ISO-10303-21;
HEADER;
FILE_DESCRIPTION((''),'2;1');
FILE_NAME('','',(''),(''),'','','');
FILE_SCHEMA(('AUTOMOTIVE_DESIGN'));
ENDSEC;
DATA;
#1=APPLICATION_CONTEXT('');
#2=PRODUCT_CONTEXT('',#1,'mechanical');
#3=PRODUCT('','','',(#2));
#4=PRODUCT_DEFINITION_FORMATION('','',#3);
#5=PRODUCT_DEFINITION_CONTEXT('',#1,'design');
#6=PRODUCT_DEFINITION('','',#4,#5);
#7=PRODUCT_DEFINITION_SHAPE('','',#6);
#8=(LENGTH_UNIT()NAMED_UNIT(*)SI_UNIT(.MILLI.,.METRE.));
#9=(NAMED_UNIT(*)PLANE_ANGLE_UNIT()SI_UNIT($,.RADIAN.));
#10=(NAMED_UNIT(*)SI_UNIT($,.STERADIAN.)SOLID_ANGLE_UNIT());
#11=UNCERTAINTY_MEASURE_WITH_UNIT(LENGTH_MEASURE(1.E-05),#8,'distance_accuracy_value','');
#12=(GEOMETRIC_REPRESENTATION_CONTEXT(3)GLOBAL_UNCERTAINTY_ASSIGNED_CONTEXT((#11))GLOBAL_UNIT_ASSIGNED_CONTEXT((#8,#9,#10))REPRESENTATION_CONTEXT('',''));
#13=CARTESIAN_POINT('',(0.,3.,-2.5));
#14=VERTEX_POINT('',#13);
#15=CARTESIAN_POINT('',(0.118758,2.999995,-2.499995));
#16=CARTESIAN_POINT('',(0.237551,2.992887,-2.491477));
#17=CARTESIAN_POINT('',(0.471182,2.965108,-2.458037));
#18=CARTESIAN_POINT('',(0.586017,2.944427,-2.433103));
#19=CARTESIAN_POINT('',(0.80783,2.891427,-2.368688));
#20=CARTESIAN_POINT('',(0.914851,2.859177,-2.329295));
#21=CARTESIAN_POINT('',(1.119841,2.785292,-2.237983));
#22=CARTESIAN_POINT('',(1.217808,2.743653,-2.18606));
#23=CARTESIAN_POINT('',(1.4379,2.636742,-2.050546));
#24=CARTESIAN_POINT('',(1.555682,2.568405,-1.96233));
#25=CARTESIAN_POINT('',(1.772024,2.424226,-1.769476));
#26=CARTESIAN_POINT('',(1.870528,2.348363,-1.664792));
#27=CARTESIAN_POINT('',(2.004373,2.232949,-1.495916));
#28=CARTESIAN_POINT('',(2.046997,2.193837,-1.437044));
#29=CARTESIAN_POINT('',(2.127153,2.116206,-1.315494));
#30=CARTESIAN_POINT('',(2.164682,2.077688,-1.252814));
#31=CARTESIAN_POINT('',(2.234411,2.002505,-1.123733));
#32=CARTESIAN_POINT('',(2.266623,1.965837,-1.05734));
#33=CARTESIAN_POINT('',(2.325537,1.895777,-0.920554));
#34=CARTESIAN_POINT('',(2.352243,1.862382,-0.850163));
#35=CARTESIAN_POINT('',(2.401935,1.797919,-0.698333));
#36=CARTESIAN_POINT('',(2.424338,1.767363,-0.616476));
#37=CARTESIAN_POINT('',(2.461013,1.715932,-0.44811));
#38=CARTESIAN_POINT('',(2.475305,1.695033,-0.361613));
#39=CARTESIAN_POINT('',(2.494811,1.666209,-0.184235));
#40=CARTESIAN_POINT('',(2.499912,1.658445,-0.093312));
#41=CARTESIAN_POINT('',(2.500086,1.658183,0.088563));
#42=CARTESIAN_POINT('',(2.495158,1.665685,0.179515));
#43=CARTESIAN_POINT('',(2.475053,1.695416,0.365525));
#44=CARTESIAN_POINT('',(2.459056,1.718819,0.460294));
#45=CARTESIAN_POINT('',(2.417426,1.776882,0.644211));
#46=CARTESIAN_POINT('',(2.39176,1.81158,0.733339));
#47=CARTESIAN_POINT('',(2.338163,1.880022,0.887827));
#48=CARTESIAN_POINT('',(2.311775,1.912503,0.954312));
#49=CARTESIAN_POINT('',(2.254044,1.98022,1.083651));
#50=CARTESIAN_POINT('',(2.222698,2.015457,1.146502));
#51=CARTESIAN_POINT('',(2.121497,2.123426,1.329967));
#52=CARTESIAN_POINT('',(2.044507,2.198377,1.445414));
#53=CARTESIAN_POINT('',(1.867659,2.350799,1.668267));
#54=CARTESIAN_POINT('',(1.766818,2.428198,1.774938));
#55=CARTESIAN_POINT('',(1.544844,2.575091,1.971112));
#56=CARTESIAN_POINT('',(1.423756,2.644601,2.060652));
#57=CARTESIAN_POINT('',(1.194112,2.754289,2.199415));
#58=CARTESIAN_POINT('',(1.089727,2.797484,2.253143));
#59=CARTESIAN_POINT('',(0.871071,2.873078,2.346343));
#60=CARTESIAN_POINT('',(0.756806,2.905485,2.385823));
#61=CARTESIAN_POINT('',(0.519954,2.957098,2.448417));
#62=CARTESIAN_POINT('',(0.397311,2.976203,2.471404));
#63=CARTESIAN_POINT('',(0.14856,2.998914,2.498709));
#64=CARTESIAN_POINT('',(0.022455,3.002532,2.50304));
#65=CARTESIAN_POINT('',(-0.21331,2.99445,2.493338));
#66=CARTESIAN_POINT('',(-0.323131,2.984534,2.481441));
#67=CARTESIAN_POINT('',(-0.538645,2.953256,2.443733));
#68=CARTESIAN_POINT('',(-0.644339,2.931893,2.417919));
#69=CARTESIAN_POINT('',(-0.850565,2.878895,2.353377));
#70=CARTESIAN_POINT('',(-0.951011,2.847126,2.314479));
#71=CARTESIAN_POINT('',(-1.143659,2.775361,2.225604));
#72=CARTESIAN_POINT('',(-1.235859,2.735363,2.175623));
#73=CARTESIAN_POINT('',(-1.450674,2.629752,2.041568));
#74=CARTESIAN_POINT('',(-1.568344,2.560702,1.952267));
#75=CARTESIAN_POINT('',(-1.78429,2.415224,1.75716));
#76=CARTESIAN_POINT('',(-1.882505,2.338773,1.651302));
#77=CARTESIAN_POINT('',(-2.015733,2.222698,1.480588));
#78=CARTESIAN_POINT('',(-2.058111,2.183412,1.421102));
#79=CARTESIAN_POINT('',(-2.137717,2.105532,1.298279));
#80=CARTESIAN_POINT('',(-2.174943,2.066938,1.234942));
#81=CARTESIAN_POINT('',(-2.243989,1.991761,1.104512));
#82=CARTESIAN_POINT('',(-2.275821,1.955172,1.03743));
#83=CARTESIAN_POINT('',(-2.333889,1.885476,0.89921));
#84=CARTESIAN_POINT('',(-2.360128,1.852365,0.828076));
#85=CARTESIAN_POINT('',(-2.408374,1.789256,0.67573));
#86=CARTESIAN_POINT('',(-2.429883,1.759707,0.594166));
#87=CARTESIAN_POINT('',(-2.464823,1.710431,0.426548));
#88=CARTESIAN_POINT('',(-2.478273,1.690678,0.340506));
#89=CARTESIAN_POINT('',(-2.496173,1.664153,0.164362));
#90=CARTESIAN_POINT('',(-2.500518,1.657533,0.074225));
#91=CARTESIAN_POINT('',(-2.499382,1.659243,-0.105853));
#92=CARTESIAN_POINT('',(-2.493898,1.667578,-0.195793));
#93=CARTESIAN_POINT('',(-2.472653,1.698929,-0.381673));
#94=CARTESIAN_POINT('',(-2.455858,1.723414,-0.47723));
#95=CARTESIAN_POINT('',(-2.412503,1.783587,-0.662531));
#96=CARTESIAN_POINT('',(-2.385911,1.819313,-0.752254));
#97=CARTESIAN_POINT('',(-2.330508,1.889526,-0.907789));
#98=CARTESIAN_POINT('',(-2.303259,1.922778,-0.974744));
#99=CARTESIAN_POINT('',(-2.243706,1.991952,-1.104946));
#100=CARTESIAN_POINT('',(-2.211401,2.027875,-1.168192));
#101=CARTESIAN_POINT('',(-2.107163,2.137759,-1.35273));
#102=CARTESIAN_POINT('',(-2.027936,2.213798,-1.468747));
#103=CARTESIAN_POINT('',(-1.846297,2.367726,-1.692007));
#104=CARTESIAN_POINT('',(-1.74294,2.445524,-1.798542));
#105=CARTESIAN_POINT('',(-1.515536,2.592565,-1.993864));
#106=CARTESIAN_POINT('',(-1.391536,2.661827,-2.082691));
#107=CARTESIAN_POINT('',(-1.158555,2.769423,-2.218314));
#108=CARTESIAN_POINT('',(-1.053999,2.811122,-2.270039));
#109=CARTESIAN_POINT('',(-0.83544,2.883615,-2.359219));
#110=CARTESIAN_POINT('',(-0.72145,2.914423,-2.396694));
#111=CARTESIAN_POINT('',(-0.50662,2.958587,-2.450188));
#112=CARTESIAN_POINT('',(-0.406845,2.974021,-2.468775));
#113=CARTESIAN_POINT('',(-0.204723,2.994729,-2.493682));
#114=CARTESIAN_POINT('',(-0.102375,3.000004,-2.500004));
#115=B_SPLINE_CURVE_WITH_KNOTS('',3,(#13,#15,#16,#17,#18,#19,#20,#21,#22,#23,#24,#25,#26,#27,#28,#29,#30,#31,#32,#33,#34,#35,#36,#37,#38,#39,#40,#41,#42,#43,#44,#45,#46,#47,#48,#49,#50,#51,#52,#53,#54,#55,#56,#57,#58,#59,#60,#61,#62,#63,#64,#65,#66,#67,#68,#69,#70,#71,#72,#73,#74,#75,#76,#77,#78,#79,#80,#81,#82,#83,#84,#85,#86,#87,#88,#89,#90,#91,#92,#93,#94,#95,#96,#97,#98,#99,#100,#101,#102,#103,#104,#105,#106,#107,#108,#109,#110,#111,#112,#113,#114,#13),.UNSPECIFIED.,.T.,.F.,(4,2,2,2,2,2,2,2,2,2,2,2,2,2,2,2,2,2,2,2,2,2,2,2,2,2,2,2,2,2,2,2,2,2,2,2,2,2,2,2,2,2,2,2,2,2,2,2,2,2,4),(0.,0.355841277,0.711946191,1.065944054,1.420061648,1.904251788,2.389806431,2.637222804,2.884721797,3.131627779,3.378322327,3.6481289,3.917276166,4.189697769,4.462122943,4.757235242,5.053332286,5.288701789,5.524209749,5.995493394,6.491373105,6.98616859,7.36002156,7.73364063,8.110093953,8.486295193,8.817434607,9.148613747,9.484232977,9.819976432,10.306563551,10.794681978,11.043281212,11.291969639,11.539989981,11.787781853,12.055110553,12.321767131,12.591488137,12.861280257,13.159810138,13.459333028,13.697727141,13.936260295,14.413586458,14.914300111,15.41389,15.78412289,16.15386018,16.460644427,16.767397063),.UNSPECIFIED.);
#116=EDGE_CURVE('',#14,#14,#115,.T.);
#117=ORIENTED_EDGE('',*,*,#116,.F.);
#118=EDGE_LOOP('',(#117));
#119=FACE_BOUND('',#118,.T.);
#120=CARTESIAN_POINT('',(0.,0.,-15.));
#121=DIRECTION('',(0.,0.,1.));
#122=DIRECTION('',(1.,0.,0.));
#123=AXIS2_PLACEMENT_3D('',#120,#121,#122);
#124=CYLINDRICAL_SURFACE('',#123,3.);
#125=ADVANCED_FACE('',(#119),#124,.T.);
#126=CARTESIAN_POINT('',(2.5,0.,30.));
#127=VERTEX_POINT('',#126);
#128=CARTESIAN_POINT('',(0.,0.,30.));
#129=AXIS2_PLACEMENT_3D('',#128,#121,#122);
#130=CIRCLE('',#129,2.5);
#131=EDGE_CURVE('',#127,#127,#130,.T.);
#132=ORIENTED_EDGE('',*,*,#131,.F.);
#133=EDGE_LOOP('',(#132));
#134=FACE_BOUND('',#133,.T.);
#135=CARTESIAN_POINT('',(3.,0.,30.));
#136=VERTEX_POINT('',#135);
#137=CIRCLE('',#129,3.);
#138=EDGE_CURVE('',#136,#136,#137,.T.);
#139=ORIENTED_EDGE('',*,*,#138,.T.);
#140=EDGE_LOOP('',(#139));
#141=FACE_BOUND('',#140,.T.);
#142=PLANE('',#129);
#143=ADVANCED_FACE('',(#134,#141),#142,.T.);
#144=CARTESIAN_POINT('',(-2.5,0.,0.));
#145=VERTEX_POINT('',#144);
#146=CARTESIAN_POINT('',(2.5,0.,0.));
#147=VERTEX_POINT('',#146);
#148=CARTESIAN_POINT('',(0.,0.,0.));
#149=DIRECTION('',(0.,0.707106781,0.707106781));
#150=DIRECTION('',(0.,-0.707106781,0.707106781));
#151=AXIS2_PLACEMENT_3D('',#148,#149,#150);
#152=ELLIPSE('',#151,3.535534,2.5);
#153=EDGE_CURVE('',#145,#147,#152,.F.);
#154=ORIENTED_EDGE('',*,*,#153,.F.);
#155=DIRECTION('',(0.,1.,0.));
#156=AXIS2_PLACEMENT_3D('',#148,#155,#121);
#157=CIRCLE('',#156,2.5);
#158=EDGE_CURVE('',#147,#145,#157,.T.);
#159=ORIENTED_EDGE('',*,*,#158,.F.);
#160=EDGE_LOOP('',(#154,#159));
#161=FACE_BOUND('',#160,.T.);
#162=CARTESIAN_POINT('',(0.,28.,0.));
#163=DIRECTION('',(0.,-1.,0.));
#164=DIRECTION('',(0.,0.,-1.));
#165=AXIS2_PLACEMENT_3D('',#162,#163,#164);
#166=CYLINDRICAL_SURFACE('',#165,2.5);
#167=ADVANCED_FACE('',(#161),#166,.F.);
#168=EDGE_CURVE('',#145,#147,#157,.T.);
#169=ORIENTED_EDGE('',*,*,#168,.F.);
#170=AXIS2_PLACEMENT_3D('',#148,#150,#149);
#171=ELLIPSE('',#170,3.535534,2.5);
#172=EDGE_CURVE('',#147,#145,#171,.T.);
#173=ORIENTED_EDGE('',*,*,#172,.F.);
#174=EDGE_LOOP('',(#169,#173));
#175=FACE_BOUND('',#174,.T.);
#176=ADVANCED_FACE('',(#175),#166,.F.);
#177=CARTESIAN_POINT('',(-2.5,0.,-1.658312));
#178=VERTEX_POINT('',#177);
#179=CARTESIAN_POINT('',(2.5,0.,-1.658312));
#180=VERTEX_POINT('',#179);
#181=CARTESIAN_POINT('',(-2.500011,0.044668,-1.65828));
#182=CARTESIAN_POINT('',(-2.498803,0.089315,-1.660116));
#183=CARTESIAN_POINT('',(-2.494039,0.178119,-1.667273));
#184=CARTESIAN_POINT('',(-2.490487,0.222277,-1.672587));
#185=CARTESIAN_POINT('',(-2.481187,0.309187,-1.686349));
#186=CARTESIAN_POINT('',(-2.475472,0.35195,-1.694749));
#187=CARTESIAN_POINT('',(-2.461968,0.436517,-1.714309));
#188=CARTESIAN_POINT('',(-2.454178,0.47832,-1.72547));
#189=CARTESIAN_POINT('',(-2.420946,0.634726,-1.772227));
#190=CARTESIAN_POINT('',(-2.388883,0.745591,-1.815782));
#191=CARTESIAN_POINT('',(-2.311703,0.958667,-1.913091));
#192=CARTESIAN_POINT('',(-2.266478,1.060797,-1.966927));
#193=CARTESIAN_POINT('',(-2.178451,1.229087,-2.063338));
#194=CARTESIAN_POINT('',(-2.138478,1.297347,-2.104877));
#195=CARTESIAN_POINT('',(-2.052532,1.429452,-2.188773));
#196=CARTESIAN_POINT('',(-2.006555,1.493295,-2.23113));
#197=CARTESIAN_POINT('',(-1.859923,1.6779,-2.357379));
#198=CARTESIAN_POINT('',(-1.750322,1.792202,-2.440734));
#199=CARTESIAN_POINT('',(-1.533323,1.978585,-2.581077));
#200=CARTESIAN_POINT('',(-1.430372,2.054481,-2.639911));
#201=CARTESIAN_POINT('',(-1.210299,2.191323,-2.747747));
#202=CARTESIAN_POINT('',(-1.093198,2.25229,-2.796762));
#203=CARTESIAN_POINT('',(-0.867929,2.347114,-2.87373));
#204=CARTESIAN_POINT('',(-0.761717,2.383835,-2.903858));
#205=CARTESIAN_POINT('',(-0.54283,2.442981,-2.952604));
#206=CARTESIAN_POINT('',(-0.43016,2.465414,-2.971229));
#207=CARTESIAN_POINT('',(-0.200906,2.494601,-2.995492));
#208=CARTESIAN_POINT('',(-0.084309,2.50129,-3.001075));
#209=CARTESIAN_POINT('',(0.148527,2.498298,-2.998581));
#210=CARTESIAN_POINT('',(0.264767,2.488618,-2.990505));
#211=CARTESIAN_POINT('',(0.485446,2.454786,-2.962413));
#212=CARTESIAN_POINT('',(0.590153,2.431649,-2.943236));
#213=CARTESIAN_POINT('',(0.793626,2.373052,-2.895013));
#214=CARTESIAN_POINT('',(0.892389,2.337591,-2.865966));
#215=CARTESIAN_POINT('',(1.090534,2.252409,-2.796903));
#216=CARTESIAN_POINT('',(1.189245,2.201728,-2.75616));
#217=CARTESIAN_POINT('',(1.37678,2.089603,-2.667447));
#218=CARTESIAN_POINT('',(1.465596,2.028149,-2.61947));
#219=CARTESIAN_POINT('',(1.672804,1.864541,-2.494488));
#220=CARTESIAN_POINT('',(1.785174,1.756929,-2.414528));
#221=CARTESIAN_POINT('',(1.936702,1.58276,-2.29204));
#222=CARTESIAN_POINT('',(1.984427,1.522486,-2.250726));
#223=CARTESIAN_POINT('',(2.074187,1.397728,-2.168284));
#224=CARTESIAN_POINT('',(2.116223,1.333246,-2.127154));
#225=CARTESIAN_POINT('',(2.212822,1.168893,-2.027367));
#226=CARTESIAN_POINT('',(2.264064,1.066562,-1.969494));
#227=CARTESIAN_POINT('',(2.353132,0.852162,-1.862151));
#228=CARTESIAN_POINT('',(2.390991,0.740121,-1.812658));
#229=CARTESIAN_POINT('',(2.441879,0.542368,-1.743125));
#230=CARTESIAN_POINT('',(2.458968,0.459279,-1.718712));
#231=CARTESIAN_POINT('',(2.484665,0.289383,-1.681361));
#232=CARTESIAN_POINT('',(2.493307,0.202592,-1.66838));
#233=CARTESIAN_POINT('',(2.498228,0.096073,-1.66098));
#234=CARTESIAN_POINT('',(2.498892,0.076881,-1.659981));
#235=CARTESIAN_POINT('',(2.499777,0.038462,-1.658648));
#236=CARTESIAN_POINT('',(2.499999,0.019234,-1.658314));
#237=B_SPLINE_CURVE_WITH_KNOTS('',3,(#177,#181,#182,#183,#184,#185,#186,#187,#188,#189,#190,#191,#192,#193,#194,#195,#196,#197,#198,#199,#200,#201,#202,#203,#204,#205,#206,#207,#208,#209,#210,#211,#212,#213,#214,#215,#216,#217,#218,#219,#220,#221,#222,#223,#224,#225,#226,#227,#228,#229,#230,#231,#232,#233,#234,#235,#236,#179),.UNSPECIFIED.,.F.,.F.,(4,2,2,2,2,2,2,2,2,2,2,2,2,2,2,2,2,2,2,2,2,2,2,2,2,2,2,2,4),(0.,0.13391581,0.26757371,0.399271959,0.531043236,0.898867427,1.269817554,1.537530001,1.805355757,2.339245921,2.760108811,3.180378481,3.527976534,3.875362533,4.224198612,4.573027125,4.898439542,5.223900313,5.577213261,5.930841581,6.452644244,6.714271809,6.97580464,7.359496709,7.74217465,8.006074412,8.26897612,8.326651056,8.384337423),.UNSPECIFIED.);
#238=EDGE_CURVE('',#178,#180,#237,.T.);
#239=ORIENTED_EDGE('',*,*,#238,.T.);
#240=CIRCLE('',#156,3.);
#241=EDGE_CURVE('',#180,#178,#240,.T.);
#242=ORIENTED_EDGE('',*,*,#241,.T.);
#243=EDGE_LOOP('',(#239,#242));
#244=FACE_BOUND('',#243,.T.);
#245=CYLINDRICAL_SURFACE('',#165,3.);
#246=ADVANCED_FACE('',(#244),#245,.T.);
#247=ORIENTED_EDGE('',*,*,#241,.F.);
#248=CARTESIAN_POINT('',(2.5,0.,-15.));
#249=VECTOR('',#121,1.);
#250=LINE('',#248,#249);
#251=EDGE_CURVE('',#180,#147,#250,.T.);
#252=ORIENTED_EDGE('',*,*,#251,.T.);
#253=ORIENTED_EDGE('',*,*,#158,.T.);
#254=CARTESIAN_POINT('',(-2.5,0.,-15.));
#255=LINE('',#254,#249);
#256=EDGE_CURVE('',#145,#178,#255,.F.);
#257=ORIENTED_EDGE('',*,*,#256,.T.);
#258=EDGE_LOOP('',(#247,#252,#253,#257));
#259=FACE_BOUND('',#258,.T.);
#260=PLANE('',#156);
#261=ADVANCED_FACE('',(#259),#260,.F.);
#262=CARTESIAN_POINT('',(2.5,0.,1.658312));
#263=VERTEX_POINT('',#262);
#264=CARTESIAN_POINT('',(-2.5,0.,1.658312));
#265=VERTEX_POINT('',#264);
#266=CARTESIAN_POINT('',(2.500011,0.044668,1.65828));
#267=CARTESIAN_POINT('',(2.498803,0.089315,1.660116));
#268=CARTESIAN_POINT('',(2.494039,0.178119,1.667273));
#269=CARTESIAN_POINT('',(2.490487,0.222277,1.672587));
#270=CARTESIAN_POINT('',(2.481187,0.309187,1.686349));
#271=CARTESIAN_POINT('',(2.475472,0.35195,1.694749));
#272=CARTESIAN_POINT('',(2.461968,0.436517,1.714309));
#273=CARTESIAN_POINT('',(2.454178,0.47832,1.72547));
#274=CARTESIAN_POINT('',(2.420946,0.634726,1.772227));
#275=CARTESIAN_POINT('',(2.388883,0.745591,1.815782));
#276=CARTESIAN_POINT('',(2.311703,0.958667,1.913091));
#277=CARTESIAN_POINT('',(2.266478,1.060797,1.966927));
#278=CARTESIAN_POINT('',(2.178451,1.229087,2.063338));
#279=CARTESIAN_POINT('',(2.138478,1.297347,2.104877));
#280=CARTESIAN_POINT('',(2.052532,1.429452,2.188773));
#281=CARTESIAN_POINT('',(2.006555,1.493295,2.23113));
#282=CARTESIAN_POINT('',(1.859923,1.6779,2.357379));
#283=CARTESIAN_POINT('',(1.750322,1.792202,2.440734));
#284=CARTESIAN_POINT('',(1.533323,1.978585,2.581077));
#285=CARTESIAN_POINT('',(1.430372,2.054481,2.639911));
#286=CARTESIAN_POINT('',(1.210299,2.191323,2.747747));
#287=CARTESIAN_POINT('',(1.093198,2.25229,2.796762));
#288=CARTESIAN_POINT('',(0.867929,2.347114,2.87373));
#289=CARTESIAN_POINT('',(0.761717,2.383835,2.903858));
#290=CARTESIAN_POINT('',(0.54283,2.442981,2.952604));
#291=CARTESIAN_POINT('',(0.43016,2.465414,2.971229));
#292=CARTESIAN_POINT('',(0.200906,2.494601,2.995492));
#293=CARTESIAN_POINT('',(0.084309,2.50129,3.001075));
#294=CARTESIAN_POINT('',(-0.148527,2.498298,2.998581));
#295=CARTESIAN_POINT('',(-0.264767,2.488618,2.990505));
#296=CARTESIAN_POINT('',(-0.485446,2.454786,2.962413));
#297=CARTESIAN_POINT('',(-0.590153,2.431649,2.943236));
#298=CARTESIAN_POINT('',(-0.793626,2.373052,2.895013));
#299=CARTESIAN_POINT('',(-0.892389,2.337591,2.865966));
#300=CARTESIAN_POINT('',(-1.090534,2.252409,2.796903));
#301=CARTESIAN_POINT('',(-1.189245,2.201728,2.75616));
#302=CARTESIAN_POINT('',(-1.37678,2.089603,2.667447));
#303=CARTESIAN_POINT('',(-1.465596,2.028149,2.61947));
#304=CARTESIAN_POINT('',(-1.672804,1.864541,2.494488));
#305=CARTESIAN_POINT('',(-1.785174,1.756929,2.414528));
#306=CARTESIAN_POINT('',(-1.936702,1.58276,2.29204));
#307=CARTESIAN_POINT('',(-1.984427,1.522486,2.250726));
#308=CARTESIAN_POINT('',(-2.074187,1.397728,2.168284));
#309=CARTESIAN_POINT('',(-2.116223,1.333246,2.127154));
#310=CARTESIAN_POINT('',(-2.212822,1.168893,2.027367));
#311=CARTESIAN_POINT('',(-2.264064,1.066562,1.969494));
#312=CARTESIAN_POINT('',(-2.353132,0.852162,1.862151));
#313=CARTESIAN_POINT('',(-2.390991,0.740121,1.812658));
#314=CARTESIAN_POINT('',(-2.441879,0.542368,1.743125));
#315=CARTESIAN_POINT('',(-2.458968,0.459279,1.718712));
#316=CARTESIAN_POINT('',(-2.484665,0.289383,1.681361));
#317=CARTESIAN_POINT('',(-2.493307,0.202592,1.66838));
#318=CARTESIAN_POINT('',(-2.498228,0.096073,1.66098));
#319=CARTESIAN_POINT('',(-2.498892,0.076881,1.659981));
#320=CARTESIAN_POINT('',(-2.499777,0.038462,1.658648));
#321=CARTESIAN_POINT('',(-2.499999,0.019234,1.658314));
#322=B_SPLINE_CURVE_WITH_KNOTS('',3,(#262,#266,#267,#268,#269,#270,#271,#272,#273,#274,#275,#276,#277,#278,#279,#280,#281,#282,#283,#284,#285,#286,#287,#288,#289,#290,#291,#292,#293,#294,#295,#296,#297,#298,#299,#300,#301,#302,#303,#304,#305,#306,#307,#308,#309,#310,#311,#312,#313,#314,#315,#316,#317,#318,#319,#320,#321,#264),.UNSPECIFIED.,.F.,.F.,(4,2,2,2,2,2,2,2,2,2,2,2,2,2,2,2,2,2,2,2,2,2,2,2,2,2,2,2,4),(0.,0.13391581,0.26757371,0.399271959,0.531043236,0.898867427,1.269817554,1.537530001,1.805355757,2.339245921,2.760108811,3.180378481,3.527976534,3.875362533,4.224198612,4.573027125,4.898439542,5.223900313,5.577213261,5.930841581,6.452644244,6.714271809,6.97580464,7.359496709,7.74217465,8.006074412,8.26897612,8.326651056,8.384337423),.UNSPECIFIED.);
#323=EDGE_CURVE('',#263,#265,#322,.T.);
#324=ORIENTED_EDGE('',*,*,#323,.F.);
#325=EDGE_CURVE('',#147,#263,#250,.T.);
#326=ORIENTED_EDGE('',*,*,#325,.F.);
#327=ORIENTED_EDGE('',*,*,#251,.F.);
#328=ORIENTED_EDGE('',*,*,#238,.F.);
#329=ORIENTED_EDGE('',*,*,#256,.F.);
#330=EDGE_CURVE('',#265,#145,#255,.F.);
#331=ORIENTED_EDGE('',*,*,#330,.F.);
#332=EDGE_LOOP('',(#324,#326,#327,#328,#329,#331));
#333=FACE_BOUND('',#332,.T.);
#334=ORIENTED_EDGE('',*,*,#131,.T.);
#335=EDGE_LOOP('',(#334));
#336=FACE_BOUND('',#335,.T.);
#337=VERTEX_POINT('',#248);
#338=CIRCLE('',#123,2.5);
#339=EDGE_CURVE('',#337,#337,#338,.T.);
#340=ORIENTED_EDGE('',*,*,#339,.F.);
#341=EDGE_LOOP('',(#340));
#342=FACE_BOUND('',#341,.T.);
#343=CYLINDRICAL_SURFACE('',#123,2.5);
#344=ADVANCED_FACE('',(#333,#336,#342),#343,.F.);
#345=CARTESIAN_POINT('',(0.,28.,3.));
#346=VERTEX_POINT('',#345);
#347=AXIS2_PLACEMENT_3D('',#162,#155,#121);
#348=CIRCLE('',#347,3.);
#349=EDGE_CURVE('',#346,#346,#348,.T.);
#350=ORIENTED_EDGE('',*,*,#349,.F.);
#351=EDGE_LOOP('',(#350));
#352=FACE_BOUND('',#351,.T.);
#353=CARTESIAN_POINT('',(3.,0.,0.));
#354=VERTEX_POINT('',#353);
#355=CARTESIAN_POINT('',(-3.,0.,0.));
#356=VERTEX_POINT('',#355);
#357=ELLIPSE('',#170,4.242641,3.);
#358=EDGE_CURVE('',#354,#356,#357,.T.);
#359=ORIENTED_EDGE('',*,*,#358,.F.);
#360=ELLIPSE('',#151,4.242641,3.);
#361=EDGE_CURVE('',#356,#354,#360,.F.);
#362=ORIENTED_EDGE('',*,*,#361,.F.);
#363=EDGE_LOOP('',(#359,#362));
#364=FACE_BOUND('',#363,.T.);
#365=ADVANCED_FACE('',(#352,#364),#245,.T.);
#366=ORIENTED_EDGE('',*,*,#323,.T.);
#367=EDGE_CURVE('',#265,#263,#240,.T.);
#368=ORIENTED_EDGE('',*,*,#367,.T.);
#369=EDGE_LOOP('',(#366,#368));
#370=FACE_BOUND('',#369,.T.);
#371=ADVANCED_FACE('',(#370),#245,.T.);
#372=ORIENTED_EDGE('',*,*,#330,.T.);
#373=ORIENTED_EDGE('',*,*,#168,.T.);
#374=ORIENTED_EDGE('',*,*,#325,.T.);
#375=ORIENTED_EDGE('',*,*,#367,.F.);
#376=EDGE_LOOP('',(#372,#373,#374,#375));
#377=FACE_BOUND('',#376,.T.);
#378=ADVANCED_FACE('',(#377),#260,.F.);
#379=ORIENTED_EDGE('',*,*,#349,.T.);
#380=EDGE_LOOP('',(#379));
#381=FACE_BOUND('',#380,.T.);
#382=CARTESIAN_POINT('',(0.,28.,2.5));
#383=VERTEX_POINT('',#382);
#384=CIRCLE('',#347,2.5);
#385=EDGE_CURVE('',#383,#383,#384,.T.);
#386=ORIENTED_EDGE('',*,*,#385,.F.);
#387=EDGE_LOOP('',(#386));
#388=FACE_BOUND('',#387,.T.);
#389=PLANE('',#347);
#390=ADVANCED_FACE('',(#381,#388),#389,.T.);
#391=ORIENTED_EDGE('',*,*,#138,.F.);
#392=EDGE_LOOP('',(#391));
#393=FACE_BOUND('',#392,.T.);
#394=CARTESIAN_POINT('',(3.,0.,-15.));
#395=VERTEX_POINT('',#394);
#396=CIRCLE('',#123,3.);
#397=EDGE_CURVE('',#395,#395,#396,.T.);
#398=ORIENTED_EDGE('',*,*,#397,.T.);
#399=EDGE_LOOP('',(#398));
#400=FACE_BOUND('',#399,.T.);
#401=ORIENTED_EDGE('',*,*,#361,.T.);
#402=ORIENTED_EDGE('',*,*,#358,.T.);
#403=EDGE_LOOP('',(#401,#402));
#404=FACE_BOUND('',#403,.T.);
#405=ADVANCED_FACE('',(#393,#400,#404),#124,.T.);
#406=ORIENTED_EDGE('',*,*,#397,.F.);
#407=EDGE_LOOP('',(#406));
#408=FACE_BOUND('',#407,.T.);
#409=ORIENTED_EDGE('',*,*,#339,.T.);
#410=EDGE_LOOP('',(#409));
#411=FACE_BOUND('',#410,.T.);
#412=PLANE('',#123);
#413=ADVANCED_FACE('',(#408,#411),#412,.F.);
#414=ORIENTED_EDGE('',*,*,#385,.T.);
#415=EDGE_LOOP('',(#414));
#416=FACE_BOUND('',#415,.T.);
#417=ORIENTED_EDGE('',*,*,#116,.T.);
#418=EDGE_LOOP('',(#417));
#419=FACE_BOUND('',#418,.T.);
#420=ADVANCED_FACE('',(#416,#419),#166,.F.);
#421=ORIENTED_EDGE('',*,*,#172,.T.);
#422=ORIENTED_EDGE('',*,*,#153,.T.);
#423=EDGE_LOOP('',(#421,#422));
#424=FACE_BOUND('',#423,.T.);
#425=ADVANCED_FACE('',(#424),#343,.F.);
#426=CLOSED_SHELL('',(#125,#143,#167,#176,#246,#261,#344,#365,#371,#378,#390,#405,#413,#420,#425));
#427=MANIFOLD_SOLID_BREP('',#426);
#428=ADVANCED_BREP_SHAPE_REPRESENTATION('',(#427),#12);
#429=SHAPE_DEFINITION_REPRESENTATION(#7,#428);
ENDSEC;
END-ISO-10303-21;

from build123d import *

# Parameters (mm, degrees)
BOSS_EXTRU_1_DEPTH      = 30
BOSS_EXTRU_1_DEPTH_BACK = 15
ESQUISSE1_R             = 3
ESQUISSE1_R_2           = 2.5
ESQUISSE2_R             = 3
ESQUISSE2_R_2           = 2.5
BOSS_EXTRU_2_DEPTH      = 28


with BuildPart() as part:
    # Esquisse1 → Boss.-Extru.1 (new, two sides: drawn at the far end of the back side and taken through both)
    with BuildSketch(Plane.XY.offset(-BOSS_EXTRU_1_DEPTH_BACK)):
        Circle(ESQUISSE1_R)
        Circle(ESQUISSE1_R_2, mode=Mode.SUBTRACT)
    extrude(amount=BOSS_EXTRU_1_DEPTH + BOSS_EXTRU_1_DEPTH_BACK)

    # Esquisse2 → Boss.-Extru.2 (add)
    with BuildSketch(Plane(origin=(0, 0, 0), x_dir=(1, 0, 0), z_dir=(0, 1, 0))):
        Circle(ESQUISSE2_R)
        with Locations(Location((0, 0, 0), (0, 0, 90))):
            Circle(ESQUISSE2_R_2, mode=Mode.SUBTRACT)
    extrude(amount=BOSS_EXTRU_2_DEPTH)


solid = part.part
